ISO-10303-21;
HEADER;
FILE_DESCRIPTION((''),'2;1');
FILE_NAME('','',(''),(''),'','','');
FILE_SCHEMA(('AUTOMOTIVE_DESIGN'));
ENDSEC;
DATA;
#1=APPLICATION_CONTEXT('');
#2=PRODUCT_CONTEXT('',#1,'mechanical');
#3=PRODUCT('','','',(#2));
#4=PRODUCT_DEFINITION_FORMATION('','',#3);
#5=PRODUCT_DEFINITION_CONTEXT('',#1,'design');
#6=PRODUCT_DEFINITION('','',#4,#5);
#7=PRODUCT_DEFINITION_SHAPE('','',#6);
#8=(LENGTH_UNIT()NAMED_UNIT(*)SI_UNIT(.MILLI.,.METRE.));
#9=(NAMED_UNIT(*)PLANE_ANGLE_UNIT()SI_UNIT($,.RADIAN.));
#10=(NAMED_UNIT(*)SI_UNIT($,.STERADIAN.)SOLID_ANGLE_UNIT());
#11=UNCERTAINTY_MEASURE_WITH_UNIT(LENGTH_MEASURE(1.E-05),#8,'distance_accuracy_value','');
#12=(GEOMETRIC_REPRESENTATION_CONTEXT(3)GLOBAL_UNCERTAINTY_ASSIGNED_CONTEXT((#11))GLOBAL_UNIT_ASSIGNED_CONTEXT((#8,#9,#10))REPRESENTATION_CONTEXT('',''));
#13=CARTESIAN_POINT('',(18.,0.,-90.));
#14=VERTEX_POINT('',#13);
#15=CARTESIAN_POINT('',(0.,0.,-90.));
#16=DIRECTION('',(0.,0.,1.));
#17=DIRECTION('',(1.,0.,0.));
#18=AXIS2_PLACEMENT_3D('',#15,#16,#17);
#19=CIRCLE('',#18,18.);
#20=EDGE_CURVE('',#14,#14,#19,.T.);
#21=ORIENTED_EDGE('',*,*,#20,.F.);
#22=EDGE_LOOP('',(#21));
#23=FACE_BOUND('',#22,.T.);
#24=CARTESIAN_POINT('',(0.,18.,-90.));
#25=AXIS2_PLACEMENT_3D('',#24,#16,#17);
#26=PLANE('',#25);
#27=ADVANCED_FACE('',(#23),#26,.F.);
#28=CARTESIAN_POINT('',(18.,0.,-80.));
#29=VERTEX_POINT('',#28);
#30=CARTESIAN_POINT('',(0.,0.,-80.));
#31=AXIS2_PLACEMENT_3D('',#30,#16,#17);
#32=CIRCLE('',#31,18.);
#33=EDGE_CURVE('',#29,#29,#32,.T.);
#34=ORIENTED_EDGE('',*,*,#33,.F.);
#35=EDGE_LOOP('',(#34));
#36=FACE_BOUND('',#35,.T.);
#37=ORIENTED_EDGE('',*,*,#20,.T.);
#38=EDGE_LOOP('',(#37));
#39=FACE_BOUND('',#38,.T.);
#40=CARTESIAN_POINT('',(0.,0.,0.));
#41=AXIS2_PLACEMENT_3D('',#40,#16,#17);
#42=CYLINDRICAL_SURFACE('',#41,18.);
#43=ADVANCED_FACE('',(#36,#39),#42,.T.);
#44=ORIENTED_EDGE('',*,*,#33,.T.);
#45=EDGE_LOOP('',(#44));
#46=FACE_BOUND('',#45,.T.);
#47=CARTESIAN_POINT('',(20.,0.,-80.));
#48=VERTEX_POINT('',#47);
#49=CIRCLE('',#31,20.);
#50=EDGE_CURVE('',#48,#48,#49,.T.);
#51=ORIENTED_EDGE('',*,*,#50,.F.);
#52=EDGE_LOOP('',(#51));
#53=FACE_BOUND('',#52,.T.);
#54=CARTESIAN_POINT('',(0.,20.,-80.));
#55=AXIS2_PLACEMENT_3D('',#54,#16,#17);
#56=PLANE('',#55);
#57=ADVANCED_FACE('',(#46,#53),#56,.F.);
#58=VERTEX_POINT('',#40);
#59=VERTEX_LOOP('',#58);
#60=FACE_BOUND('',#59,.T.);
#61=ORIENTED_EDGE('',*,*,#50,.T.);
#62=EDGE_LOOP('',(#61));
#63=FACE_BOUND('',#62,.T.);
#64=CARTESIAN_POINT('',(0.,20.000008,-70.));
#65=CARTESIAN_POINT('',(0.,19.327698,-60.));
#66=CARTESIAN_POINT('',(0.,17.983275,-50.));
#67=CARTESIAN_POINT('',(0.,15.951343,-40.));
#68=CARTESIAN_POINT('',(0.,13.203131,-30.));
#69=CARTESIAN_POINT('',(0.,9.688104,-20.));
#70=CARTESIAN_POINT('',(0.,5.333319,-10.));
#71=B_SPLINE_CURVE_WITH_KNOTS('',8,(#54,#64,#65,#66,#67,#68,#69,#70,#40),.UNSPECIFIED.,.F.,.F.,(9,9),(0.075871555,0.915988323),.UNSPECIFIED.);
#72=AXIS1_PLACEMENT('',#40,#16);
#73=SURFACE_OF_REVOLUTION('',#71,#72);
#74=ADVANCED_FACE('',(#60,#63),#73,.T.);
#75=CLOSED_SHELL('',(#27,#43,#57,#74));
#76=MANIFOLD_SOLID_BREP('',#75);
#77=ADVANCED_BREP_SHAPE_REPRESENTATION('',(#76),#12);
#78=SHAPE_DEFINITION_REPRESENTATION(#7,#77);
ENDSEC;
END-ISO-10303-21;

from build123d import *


with BuildPart() as part:
    # Sketch2 → Revolve1 (revolve)
    with BuildSketch(Plane(origin=(0, 0, 0), x_dir=(0, 0, -1), z_dir=(1, 0, 0))):
        with BuildLine():
            Line((80, 20.000000007), (80, 18))
            Line((80, 18), (89.999999999, 18))
            Line((89.999999999, 18), (89.999999999, -1e-09))
            Line((89.999999999, -1e-09), (-1e-09, -1e-09))
            add(Edge.make_bspline(
                [(-1e-09, -1e-09), (9.999999999, 5.333319453), (19.999999999, 9.688103693), (29.999999999, 13.203130539), (39.999999999, 15.951343155), (49.999999999, 17.983274917), (60, 19.327698379), (70, 20.000008008), (80, 20.000000007)],
                knots=[0.075871555, 0.075871555, 0.075871555, 0.075871555, 0.075871555, 0.075871555, 0.075871555, 0.075871555, 0.075871555, 0.915988323, 0.915988323, 0.915988323, 0.915988323, 0.915988323, 0.915988323, 0.915988323, 0.915988323, 0.915988323], degree=8))
        make_face()
    revolve(axis=Axis((0, -1e-09, 1e-09), (0, 0, -1)))


solid = part.part
